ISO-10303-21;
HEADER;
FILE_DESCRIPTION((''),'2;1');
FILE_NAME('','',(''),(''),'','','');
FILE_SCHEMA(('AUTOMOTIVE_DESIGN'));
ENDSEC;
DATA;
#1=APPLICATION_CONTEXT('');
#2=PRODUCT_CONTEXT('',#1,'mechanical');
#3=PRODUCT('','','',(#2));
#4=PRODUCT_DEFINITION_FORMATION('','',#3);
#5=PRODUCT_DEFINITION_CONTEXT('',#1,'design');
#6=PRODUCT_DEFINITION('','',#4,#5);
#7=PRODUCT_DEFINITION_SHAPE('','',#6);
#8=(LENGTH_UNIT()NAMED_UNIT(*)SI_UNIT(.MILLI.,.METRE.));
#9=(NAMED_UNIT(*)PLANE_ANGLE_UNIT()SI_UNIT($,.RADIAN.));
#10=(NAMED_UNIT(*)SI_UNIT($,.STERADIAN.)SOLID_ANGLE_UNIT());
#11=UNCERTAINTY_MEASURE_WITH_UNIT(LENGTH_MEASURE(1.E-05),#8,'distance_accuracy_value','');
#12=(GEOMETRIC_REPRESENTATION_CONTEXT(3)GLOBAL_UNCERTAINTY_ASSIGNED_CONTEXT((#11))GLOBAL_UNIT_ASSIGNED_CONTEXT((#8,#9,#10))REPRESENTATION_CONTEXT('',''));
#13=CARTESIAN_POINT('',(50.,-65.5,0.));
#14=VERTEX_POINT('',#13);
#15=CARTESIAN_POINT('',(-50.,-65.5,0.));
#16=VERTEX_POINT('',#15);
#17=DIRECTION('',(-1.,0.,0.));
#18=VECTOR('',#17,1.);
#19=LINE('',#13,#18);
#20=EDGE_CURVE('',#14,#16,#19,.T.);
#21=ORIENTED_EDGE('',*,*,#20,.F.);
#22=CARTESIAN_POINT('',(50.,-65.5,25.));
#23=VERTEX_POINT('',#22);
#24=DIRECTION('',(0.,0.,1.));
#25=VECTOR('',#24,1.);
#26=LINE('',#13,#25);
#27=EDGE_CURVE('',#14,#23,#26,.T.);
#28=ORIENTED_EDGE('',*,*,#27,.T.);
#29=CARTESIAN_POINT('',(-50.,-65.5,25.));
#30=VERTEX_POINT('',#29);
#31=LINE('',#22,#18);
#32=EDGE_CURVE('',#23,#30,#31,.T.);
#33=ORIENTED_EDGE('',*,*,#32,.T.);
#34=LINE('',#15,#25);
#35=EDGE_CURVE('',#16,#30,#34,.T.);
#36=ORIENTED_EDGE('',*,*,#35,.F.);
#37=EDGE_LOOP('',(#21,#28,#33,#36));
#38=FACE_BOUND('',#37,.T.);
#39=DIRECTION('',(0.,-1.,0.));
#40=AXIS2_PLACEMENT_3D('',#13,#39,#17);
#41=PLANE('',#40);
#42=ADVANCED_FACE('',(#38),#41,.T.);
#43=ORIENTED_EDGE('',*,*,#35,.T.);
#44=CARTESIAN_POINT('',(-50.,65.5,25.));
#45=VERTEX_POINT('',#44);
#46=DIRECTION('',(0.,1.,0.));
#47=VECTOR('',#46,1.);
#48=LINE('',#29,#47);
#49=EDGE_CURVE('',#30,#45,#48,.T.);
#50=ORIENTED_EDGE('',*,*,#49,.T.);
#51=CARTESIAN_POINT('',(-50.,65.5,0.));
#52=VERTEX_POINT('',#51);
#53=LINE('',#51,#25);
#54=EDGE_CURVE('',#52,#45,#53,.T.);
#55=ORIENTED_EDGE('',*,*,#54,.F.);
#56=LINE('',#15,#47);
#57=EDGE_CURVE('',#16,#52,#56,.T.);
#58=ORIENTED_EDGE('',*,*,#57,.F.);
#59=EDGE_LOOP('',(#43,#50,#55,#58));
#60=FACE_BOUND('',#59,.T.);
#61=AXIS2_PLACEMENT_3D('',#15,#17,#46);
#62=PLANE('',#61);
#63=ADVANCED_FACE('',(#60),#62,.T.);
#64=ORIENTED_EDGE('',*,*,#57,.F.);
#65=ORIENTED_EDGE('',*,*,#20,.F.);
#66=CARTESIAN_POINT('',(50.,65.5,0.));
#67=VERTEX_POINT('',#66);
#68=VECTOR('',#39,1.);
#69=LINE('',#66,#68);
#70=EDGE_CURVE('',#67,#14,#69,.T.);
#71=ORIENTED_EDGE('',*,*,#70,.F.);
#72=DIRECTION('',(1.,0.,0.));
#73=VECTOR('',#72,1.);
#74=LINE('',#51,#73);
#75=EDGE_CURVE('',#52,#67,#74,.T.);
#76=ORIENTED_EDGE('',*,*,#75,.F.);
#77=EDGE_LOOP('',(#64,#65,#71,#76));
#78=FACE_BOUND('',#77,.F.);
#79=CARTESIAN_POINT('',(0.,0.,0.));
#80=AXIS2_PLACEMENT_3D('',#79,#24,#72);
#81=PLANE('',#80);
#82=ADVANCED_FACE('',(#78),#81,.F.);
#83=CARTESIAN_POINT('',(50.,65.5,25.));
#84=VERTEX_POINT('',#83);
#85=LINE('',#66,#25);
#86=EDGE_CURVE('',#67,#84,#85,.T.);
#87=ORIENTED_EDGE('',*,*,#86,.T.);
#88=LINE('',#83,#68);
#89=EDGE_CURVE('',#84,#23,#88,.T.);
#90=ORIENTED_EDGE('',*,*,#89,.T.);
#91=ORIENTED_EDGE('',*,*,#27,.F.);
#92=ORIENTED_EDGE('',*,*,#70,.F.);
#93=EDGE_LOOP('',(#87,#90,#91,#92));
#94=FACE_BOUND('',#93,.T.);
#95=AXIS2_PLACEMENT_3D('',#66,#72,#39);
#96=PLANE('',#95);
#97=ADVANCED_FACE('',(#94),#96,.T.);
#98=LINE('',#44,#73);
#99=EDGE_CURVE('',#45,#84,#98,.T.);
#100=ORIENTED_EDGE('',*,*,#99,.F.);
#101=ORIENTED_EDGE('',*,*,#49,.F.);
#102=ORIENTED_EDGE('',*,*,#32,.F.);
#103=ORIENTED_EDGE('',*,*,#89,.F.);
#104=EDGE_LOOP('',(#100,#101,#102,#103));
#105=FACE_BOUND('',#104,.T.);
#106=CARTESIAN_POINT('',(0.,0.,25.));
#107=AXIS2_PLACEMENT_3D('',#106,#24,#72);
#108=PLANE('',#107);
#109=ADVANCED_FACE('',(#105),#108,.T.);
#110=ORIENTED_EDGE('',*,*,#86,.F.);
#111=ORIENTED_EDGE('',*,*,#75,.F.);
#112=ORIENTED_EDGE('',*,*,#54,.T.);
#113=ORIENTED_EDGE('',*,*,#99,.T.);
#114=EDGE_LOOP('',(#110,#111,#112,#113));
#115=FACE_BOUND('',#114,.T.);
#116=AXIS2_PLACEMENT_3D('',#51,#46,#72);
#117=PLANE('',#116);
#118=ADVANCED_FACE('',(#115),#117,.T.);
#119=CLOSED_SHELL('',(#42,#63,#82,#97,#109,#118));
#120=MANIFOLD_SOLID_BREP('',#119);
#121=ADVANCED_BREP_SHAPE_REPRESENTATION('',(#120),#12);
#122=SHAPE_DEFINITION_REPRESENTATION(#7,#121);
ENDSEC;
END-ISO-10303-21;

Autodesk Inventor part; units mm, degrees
ref_plane "YZ Plane" through (0, 0, 0) normal (1, 0, 0) x (0, 1, 0)
ref_plane "XZ Plane" through (0, 0, 0) normal (0, 1, 0) x (-1, 0, 0)
ref_plane "XY Plane" through (0, 0, 0) normal (0, 0, 1) x (1, 0, 0)
sketch "Sketch1" plane through (0, 0, 0) normal (0, 0, 1) x (1, 0, 0)
  line L0 (-50, 65.5) -> (50, 65.5)
  line L1 (50, 65.5) -> (50, -65.5)
  line L2 (50, -65.5) -> (-50, -65.5)
  line L3 (-50, -65.5) -> (-50, 65.5)
  point P0 (0, 0)
  point P1 (0, 65.5)
  point P2 (-50, 0)
  dimension "d0" = 100
  dimension "d1" = 131
extrude "Extrusion1" add sketch "Sketch1" along normal blind 25
properties part number "Foam_Front" material "Polystyrene, Expanded"
